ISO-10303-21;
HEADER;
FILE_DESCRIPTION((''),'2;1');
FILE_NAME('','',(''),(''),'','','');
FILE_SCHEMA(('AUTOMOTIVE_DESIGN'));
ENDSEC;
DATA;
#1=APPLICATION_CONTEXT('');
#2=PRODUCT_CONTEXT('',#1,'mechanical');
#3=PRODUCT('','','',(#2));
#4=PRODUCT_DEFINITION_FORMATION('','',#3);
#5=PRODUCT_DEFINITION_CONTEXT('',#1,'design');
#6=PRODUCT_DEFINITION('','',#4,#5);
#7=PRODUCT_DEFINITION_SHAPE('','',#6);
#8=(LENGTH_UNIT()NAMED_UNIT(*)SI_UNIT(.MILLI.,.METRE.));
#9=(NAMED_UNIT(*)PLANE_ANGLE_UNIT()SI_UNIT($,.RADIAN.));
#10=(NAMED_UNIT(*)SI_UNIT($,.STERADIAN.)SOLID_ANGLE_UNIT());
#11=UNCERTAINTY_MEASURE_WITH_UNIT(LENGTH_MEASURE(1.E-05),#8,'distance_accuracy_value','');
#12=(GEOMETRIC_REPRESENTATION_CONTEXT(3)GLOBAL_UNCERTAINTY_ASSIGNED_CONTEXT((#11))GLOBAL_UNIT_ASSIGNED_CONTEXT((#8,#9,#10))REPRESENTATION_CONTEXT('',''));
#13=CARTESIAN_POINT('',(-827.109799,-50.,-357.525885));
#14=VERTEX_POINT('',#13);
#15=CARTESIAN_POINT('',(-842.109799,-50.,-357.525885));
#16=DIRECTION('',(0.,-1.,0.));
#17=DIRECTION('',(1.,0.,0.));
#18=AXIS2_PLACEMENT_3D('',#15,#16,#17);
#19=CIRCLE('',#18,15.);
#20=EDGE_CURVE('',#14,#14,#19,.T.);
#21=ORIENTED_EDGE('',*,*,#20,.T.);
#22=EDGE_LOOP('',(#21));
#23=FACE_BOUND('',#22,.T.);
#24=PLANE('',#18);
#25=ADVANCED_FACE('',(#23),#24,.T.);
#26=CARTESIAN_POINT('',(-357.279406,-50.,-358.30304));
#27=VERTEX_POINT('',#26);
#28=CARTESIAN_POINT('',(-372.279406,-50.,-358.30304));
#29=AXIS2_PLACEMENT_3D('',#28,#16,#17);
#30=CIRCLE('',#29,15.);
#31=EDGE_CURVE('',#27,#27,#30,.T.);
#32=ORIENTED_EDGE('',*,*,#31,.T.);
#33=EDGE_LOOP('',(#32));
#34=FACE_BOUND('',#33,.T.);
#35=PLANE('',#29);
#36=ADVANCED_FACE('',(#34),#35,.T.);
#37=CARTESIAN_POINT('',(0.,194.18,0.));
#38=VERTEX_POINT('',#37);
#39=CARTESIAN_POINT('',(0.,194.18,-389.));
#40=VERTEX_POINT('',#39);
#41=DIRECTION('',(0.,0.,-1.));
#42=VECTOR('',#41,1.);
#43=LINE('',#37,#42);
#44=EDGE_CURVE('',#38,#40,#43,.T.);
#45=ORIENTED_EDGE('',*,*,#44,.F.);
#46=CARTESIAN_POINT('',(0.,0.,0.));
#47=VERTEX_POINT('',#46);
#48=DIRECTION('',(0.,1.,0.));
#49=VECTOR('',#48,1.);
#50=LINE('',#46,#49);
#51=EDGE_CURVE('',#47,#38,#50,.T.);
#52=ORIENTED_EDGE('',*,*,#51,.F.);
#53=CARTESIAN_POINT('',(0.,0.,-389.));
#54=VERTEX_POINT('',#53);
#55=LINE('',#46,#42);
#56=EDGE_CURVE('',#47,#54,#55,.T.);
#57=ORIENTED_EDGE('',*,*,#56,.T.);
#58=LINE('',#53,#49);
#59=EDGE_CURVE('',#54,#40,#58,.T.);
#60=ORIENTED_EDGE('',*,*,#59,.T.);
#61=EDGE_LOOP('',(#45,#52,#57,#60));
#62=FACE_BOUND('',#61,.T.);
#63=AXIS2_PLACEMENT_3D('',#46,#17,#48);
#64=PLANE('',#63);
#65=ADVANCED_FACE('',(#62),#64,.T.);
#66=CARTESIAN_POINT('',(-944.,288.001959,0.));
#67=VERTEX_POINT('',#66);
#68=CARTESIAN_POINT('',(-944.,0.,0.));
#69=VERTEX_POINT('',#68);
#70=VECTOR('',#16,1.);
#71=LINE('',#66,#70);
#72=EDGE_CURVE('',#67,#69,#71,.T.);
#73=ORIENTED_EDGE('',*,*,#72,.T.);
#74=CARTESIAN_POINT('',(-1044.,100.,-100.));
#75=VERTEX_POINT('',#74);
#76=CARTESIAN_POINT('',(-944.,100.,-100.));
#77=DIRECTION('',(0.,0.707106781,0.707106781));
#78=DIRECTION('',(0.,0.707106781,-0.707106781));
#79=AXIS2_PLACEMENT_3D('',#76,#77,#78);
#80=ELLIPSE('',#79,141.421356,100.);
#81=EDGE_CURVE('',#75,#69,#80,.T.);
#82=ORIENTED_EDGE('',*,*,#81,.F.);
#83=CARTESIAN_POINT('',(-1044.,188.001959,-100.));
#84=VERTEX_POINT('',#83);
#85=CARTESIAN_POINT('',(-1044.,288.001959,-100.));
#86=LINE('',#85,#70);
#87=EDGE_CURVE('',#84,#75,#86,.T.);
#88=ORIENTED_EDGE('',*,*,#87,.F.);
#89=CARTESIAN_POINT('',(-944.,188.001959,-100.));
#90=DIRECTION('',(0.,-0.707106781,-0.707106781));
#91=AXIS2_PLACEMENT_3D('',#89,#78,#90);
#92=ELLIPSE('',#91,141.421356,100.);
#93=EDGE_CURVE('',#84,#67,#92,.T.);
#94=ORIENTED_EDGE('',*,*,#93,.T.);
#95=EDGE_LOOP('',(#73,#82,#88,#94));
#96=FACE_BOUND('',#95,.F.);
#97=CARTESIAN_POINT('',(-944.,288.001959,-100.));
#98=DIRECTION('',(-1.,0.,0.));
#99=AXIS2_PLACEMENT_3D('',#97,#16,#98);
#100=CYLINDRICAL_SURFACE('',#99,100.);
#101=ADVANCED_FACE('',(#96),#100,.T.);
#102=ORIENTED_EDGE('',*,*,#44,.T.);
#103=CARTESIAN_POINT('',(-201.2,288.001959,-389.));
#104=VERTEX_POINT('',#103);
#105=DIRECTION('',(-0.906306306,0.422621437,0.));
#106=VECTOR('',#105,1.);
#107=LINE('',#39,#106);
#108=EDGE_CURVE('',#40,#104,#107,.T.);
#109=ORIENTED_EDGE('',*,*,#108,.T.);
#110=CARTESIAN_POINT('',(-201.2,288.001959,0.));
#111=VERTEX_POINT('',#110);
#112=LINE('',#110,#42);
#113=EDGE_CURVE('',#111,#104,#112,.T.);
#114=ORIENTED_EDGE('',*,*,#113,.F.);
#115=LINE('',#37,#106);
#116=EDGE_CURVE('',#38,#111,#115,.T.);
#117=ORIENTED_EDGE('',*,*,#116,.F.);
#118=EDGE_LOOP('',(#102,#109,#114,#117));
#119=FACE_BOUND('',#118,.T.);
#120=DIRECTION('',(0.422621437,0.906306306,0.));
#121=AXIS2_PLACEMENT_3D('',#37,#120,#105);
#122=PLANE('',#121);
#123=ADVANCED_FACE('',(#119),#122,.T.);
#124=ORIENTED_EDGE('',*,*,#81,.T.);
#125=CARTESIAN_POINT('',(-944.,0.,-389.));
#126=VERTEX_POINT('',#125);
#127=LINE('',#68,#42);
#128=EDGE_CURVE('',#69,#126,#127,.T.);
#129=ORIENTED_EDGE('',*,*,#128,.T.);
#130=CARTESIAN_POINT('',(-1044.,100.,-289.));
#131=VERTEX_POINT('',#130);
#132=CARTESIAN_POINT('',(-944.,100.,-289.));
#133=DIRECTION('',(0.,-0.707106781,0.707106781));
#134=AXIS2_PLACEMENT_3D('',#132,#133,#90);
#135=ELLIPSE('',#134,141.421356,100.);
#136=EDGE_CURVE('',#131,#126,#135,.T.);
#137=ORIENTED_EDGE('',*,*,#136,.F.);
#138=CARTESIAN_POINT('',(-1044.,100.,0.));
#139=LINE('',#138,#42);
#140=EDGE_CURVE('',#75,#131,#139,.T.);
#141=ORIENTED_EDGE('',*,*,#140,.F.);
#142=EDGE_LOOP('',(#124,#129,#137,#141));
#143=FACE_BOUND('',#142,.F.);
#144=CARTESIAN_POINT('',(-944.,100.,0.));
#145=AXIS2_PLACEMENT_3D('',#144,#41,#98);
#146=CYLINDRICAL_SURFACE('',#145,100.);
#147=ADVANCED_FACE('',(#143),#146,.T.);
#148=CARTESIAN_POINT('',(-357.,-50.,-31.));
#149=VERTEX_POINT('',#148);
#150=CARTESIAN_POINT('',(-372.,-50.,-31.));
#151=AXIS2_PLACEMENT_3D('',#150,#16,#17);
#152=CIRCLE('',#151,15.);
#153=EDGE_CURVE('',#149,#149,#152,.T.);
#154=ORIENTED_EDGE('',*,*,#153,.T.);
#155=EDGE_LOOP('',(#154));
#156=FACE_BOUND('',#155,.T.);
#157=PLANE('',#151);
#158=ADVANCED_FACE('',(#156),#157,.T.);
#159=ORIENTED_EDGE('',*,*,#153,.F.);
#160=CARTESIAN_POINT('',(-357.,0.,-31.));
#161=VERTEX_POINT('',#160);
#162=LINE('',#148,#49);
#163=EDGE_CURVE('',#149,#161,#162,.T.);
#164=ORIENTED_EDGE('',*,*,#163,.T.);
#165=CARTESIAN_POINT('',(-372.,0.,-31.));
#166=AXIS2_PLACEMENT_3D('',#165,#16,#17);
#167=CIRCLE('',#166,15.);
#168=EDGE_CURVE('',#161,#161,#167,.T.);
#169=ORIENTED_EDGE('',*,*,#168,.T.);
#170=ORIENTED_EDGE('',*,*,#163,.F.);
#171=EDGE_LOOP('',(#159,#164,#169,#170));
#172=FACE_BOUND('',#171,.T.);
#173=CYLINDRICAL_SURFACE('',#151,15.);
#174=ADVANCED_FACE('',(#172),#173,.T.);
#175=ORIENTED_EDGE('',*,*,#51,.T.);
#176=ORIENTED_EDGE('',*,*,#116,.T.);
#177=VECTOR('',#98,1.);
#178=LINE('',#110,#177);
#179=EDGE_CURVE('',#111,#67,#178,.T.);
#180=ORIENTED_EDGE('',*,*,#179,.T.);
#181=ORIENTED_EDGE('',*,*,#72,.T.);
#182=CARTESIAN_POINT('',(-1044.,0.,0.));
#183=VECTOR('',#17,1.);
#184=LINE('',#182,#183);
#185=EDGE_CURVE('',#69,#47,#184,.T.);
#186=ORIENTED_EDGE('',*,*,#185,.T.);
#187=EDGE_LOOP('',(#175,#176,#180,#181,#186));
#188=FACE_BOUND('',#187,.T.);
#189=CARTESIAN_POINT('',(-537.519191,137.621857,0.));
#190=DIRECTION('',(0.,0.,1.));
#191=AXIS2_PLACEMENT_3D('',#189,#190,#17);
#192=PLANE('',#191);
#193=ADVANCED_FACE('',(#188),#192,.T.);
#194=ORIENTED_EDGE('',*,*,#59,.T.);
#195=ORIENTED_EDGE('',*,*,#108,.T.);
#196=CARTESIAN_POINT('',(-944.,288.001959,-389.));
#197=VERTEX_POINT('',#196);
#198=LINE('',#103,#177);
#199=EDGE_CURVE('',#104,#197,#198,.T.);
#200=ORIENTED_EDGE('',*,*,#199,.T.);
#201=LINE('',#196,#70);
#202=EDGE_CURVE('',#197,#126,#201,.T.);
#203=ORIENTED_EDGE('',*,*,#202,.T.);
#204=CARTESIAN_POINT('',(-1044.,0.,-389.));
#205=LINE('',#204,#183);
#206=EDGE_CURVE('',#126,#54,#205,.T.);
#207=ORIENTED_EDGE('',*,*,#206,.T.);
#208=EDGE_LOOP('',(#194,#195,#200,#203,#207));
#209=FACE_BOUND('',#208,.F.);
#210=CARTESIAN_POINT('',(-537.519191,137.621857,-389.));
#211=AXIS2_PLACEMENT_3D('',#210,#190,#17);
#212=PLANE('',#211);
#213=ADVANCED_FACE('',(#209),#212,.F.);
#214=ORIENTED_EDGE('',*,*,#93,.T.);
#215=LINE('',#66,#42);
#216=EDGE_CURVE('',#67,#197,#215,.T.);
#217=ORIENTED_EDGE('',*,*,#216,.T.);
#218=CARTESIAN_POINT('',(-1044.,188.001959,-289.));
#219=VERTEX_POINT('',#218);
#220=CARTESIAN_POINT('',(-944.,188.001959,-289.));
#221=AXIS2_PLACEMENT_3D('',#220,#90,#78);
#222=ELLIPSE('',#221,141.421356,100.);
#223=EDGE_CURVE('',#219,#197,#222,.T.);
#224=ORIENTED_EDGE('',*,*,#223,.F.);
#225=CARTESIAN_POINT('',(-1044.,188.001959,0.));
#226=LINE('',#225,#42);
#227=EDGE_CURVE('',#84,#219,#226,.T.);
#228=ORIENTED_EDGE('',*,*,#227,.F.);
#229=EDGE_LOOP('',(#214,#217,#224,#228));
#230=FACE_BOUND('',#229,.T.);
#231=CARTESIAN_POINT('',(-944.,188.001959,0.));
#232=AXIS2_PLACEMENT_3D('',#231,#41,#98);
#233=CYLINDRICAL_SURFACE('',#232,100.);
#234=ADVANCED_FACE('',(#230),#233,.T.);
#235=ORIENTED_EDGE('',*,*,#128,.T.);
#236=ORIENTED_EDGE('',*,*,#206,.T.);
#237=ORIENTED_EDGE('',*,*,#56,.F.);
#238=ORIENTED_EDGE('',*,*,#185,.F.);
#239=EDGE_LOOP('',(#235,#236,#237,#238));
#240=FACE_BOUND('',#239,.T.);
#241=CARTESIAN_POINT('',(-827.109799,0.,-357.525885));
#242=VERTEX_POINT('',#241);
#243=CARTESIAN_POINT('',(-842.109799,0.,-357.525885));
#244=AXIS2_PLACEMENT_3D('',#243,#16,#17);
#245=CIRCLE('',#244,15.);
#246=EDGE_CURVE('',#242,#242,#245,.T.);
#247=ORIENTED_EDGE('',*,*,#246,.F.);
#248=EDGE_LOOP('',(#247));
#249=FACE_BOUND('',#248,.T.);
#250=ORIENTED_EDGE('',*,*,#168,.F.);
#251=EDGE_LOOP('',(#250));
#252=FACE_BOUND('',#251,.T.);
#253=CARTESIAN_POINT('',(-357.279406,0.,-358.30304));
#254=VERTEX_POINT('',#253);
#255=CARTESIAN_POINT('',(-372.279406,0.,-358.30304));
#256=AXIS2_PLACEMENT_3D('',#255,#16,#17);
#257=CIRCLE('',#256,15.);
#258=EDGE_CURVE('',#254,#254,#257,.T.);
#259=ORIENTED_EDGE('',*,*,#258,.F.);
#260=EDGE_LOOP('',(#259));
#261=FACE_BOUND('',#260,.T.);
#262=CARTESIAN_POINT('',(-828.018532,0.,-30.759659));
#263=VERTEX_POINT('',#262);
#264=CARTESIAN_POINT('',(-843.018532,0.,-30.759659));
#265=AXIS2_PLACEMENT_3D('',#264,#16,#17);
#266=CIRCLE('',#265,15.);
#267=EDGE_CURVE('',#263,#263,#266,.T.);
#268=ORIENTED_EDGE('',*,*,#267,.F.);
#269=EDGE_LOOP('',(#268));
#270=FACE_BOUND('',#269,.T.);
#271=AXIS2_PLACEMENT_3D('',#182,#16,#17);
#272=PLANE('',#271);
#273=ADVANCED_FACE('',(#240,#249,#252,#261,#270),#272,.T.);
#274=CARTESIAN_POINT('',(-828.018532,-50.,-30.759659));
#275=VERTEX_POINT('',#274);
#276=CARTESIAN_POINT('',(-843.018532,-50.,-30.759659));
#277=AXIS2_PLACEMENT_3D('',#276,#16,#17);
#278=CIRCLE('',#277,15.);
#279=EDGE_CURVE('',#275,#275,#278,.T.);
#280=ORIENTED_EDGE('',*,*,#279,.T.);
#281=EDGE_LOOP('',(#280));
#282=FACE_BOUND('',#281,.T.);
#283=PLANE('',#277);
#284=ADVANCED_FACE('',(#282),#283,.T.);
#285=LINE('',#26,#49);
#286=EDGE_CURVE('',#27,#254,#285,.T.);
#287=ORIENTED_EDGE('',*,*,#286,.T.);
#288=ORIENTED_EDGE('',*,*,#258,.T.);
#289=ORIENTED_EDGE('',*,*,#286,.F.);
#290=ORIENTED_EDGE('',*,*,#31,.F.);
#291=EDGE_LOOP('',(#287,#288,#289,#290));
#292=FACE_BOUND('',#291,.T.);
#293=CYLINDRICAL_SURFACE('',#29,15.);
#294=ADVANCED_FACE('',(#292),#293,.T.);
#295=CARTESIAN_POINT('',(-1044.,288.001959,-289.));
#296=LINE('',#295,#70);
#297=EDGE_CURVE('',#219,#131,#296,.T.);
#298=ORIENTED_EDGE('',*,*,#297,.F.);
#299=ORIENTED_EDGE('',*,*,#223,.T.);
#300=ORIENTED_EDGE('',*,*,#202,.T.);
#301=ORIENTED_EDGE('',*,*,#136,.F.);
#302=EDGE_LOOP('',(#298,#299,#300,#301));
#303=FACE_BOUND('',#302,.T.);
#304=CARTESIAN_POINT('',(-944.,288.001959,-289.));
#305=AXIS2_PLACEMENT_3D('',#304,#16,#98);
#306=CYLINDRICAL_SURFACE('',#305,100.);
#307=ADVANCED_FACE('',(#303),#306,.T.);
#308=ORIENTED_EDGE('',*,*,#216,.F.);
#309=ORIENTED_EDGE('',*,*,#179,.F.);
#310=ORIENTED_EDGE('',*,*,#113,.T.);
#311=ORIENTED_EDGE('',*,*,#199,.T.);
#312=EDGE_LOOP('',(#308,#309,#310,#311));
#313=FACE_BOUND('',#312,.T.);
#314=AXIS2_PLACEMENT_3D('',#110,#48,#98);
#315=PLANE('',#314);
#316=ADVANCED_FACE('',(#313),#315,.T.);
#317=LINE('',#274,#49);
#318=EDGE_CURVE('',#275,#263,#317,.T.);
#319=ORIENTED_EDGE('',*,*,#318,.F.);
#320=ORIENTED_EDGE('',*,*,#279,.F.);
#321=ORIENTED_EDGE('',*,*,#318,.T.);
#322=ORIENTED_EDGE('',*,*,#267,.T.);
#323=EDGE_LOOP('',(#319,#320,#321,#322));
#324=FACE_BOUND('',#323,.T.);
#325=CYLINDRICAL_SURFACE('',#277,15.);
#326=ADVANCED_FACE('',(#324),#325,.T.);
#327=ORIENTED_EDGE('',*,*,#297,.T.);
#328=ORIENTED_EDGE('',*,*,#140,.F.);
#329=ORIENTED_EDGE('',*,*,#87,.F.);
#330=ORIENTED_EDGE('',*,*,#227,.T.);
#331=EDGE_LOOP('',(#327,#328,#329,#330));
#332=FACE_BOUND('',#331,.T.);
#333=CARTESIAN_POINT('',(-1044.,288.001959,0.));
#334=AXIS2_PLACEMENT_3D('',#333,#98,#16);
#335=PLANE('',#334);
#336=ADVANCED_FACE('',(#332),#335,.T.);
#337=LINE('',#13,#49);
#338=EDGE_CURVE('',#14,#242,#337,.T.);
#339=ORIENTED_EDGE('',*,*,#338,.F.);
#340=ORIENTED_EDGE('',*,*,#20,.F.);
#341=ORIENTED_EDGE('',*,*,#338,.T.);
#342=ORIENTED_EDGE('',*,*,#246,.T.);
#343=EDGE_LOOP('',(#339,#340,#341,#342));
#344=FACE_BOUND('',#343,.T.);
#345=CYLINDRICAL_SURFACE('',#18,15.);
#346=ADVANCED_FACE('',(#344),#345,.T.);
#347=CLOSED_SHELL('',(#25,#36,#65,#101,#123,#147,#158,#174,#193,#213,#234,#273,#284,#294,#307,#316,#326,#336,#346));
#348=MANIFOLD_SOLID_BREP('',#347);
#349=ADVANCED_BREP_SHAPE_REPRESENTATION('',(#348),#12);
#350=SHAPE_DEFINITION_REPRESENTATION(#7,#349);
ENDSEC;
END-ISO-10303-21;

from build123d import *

# Parameters (mm, degrees)
F1_DEPTH = 389
F2_R     = 100
F7_R     = 15
F8_DEPTH = 50
F5_R     = 15
F4_R     = 15
F6_R     = 15
F9_DEPTH = 50


with BuildPart() as f1:
    # F0 (on Top) → F1 (new body)
    with BuildSketch(Plane.XY):
        Polygon((-1044, 288.001959), (-1044, 0), (0, 0), (0, 194.18), (-201.2, 288.001959), align=None)
    extrude(amount=-F1_DEPTH)

    # F2
    f2_edges = [f1.edges().sort_by_distance(p)[0] for p in [
        (-1044, 288.001959, -194.5),
        (-1044, 0, -194.5),
        (-1044, 144.00098, 0),
        (-1044, 144.00098, -389),
    ]]
    fillet(f2_edges, radius=F2_R)

    # F7 (on offset) → F8 (join)
    with BuildSketch(Plane.XZ.offset(50)):
        with Locations((-842.109799, -357.525885)):
            Circle(F7_R)
    extrude(amount=-F8_DEPTH)

    # F5 (on offset) + F4 (on offset) + F6 (on offset) → F9 (join)
    with BuildSketch(Plane.XZ.offset(50)):
        with Locations((-372.279406, -358.30304)):
            Circle(F5_R)
    with BuildSketch(Plane.XZ.offset(50)):
        with Locations((-372, -31)):
            Circle(F4_R)
    with BuildSketch(Plane.XZ.offset(50)):
        with Locations((-843.018532, -30.759659)):
            Circle(F6_R)
    extrude(amount=-F9_DEPTH)


solid = f1.part
